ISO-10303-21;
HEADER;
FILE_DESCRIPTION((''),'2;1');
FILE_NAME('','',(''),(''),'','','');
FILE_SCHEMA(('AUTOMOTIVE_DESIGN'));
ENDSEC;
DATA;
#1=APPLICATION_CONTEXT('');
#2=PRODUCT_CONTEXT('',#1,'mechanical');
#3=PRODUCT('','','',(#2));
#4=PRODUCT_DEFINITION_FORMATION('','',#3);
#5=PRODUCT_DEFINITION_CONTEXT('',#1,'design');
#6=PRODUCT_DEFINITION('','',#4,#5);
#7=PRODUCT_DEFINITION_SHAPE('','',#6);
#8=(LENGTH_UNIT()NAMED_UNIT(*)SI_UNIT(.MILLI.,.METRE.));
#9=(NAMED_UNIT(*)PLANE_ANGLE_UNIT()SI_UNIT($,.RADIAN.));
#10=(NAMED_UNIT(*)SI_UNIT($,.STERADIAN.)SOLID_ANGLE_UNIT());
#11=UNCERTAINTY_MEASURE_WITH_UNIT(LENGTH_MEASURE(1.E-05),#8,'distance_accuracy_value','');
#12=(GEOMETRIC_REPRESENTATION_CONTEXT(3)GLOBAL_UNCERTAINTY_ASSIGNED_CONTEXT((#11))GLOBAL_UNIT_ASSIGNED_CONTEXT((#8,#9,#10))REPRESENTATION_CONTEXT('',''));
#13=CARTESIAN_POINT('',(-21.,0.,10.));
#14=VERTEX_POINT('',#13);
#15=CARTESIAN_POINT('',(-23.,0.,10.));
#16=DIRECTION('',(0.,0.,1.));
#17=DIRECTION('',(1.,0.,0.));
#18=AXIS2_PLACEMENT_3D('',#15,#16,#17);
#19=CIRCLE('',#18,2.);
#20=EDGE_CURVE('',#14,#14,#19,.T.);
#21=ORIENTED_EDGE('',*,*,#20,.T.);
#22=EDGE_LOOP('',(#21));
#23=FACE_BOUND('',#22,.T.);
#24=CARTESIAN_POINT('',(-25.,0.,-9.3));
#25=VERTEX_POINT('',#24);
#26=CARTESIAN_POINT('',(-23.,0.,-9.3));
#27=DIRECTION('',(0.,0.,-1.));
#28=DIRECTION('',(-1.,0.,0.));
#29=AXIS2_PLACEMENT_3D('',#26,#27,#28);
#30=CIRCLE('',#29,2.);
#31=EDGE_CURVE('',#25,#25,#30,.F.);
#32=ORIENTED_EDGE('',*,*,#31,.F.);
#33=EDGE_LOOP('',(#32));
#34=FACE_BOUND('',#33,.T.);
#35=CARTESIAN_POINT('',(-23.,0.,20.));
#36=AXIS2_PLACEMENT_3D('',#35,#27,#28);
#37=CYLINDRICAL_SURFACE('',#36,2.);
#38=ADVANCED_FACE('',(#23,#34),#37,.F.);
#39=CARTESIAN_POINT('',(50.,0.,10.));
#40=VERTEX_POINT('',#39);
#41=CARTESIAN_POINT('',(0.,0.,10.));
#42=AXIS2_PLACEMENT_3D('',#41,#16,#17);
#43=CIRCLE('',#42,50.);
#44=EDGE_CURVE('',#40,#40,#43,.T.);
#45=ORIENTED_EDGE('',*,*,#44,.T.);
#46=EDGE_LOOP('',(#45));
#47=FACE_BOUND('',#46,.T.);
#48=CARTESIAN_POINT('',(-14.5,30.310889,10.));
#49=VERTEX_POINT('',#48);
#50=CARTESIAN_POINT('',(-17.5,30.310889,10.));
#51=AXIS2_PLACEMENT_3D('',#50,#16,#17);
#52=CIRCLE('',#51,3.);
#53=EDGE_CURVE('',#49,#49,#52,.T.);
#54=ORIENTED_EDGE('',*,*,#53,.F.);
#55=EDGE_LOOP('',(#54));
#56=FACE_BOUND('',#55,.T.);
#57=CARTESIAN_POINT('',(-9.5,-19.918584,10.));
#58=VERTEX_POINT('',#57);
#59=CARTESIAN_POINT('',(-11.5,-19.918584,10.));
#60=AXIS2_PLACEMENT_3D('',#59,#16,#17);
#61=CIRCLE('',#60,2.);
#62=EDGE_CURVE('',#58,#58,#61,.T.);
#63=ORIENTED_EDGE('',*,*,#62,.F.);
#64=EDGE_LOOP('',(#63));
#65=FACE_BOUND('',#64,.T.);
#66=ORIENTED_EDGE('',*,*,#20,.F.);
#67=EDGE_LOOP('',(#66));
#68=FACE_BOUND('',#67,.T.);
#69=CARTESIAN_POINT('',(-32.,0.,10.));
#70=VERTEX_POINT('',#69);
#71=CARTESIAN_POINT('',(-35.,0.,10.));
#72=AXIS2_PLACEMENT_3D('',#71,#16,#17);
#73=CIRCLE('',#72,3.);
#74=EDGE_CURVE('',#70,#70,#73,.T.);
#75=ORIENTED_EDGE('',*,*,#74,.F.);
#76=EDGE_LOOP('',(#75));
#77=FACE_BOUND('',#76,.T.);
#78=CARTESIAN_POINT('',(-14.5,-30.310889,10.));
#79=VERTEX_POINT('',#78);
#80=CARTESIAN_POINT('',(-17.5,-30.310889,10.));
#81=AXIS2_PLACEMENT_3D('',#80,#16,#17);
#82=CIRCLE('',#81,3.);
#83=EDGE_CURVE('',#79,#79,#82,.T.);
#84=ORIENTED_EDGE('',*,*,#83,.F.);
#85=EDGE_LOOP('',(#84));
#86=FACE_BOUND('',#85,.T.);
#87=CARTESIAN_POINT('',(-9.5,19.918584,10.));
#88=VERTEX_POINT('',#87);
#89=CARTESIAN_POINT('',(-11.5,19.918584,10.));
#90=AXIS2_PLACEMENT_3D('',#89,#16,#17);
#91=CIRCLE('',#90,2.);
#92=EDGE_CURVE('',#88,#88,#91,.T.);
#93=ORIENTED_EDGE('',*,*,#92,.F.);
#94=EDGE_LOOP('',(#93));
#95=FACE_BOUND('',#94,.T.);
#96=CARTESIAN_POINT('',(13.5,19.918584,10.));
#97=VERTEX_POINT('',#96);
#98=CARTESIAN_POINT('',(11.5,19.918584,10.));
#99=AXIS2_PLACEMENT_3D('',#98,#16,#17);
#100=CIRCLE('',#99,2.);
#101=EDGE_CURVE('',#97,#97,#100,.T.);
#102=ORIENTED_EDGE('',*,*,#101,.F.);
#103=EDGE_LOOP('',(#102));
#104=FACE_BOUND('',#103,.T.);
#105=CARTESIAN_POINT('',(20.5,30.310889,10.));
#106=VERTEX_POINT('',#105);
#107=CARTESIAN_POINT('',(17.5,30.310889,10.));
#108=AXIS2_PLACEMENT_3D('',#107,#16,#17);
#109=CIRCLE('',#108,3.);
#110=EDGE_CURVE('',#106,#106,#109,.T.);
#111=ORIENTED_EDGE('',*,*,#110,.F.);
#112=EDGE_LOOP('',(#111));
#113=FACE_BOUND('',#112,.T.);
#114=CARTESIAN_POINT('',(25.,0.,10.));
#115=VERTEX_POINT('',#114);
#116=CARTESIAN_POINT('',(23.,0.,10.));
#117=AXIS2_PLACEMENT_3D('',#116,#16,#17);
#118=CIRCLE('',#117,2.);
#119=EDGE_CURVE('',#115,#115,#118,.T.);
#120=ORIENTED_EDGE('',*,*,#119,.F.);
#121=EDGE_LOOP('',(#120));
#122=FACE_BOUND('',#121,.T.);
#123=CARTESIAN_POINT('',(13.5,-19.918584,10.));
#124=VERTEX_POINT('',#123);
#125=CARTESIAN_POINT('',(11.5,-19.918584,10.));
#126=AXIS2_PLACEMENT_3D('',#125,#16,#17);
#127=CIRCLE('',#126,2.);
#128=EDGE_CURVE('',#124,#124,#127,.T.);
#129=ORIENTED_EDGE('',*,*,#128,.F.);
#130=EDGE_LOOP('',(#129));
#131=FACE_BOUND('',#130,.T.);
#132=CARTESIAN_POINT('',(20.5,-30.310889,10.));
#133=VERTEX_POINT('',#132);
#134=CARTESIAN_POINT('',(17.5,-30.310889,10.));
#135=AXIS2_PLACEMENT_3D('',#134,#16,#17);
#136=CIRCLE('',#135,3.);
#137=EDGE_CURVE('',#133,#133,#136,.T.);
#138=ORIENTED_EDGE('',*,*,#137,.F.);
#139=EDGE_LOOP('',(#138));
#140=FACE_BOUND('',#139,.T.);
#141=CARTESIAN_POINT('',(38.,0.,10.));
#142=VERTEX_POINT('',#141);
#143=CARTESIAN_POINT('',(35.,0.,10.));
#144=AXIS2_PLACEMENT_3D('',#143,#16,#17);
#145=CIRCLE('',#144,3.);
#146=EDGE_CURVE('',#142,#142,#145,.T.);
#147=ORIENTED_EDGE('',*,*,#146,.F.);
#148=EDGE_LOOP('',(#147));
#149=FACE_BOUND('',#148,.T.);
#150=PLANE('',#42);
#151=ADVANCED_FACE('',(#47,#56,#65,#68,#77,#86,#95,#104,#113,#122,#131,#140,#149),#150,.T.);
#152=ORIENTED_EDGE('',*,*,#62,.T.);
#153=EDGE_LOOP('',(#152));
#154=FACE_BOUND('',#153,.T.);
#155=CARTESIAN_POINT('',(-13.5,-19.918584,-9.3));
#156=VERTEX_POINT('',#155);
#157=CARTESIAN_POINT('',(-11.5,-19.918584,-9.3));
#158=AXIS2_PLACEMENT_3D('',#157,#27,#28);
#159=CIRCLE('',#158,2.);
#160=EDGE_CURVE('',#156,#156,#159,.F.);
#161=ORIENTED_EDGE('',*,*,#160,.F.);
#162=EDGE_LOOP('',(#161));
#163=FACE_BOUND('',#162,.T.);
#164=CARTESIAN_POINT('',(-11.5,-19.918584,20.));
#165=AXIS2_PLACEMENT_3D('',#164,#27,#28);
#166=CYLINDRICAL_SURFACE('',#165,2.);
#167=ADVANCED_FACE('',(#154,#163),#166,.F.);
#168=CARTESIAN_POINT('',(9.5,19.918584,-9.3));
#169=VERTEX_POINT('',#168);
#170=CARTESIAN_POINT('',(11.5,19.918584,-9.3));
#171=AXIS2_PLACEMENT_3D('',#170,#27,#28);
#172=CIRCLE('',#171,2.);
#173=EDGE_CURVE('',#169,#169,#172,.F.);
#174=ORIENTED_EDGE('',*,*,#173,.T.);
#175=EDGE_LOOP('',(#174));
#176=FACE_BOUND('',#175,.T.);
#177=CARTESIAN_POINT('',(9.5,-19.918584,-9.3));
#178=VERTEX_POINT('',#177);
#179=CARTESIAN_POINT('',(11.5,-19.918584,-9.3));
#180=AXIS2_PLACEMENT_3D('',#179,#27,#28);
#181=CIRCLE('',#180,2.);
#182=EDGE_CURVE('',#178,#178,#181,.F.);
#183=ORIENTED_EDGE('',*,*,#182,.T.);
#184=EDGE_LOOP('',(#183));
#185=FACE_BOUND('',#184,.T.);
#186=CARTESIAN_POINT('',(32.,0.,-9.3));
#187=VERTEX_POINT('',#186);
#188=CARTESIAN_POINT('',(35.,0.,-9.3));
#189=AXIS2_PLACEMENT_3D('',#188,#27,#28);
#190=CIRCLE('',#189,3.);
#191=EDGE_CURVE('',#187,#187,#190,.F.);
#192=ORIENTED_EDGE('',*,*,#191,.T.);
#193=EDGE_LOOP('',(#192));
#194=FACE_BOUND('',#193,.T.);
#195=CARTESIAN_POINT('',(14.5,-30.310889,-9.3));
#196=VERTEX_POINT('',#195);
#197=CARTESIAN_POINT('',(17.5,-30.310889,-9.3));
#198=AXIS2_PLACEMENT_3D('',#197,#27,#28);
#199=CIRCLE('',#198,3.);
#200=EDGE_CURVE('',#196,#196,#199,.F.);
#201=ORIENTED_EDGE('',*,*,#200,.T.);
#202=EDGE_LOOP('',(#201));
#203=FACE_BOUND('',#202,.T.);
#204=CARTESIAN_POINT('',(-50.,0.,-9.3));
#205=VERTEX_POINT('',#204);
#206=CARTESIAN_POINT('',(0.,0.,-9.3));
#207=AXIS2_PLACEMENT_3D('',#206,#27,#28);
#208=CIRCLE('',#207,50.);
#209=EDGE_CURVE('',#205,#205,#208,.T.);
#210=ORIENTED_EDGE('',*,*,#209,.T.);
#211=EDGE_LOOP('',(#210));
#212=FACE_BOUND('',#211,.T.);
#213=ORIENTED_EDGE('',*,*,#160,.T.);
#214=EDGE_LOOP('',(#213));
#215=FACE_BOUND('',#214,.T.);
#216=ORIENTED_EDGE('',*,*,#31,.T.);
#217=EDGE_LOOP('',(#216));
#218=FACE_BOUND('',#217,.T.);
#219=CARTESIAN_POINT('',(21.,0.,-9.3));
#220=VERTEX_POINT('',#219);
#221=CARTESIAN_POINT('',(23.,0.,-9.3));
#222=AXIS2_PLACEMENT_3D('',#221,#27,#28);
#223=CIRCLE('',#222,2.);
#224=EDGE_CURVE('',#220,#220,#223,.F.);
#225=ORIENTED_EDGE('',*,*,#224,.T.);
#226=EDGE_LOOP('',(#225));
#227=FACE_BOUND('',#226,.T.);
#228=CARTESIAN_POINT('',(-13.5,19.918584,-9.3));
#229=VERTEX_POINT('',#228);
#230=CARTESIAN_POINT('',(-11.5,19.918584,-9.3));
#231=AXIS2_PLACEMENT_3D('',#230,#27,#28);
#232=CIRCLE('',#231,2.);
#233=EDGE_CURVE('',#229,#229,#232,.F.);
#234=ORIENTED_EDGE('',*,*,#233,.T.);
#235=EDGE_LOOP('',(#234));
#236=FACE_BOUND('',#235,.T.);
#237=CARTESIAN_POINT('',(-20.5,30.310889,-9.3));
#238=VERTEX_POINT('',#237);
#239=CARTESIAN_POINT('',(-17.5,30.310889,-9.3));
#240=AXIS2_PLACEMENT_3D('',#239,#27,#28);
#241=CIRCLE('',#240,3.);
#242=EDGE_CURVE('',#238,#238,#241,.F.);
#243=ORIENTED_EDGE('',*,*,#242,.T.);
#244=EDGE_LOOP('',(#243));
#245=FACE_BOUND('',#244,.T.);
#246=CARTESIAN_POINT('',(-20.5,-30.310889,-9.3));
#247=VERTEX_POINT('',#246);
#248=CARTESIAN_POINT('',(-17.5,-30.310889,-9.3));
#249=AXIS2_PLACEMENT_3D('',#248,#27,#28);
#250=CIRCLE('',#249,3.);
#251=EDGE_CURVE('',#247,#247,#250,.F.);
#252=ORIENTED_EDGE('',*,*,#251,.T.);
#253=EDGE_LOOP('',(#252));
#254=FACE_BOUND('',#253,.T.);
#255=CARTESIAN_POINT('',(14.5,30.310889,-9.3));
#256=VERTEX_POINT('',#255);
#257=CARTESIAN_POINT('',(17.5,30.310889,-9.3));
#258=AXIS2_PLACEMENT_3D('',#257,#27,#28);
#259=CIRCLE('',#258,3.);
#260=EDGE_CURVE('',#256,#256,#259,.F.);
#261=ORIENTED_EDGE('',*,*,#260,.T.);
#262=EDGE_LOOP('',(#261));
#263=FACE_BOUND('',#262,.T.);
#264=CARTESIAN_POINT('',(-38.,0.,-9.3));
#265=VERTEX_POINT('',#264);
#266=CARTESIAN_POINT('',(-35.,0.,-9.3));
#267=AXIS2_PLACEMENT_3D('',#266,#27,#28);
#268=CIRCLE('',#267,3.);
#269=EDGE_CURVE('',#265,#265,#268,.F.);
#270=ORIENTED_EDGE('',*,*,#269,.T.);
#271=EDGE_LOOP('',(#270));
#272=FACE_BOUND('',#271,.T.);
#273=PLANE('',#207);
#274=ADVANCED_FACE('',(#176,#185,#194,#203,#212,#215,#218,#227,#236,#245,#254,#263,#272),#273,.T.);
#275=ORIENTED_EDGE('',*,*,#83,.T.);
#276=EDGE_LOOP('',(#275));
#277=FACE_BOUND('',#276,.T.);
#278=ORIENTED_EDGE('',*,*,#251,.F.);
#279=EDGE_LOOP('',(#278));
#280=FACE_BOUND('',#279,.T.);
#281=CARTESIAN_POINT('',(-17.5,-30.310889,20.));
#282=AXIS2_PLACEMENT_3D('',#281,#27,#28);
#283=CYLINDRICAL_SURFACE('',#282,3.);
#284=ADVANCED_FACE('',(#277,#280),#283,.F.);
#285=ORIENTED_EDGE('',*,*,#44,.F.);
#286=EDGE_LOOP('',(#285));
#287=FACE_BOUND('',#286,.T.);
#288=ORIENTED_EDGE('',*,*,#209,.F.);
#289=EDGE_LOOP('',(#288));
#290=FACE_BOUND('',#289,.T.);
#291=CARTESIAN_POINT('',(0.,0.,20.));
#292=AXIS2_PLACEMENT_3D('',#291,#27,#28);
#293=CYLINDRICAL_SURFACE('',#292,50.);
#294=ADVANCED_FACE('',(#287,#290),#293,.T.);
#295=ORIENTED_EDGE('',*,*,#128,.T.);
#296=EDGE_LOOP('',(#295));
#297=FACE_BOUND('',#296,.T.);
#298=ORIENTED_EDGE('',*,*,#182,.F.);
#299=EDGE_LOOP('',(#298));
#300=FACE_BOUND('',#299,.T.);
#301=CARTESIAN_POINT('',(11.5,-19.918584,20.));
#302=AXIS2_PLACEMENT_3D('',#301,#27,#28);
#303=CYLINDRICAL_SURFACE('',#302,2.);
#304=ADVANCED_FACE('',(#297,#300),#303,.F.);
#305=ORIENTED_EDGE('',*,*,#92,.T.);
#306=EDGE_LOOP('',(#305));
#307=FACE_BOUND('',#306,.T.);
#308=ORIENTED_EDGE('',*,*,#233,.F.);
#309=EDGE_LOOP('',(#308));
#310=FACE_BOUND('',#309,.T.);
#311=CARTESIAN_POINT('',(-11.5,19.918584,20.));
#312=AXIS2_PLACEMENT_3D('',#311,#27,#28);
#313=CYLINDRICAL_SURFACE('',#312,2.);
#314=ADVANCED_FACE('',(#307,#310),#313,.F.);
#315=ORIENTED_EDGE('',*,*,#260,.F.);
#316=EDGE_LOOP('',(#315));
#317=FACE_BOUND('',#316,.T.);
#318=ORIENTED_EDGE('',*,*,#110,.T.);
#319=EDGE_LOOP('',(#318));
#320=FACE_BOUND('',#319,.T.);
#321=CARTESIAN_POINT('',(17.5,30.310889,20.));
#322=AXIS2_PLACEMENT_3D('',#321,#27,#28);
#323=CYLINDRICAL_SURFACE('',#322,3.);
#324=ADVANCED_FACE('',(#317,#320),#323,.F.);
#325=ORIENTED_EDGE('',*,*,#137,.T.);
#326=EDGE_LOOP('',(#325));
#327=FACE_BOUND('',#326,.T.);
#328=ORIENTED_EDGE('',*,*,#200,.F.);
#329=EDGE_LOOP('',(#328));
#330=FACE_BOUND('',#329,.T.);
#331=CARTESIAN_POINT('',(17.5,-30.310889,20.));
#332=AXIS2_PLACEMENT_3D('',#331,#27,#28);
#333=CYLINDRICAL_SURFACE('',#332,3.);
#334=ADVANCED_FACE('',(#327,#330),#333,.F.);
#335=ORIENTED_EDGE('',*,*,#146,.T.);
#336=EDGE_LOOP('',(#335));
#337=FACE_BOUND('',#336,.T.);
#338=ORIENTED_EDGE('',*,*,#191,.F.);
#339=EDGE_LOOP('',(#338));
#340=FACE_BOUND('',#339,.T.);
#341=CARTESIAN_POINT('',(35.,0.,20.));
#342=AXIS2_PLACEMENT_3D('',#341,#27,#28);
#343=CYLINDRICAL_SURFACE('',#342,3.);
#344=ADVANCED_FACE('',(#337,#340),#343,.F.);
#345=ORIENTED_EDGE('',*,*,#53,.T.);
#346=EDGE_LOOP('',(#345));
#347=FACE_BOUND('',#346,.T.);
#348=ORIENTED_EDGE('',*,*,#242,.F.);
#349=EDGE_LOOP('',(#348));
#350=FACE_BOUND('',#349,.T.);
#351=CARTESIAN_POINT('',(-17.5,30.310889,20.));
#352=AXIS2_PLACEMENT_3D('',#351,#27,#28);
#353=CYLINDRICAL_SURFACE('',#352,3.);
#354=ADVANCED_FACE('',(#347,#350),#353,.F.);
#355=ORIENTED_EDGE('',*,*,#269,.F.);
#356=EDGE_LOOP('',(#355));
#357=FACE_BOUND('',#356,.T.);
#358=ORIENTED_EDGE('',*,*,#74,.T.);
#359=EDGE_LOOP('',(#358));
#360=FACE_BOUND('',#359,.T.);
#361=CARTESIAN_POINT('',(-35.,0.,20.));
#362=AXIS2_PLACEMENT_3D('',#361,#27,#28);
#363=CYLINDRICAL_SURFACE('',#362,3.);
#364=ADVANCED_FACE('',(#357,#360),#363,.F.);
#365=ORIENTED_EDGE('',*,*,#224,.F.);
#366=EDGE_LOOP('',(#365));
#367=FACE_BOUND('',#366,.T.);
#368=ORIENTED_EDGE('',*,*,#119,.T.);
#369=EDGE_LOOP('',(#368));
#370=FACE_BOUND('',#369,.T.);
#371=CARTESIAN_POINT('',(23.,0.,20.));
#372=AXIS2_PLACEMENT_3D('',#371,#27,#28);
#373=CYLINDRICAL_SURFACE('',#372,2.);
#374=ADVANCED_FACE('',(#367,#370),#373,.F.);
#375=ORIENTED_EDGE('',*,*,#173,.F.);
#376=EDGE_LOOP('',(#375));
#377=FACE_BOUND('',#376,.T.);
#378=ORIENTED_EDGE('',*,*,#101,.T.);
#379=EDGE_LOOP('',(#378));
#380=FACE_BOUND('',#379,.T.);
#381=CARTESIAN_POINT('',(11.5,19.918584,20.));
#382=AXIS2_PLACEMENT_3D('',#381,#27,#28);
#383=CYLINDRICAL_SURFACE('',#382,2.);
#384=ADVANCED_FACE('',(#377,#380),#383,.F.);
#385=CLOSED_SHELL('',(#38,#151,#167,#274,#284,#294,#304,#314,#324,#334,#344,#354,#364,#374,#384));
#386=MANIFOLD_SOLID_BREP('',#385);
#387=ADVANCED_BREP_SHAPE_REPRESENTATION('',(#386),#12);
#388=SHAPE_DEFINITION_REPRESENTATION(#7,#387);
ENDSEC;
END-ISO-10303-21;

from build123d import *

# Parameters (mm, degrees)
SKETCH_1_R               = 50
SKETCH_1_R_2             = 3
SKETCH_1_R_3             = 2
EXTRUDE_1_DEPTH          = 20
SKETCH_3_R               = 82.232653787
CUT_EXTRUDE_1_DEPTH      = 10
EXTRUDE_START            = 9.3
SKETCH_4_R               = 50
EXTRUDE_2_DEPTH          = 9.3
CUT_EXTRUDE_START        = -52
SKETCH_5_R               = 3
SKETCH_5_R_2             = 2
CUT_EXTRUDE_2_DEPTH      = 52
PATTERN_CIRCULAR_1_COUNT = 6


with BuildPart() as part:
    # 草图1 → 凸台-拉伸1 (new body)
    with BuildSketch(Plane.XY):
        Circle(SKETCH_1_R)
        with Locations((-35, 0)):
            Circle(SKETCH_1_R_2, mode=Mode.SUBTRACT)
        with Locations((-17.5, 30.310889132)):
            Circle(SKETCH_1_R_2, mode=Mode.SUBTRACT)
        with Locations((17.5, 30.310889132)):
            Circle(SKETCH_1_R_2, mode=Mode.SUBTRACT)
        with Locations((35, 0)):
            Circle(SKETCH_1_R_2, mode=Mode.SUBTRACT)
        with Locations((17.5, -30.310889132)):
            Circle(SKETCH_1_R_2, mode=Mode.SUBTRACT)
        with Locations((-17.5, -30.310889132)):
            Circle(SKETCH_1_R_2, mode=Mode.SUBTRACT)
        with Locations((-23, 0)):
            Circle(SKETCH_1_R_3, mode=Mode.SUBTRACT)
        with Locations((-11.5, 19.918584287)):
            Circle(SKETCH_1_R_3, mode=Mode.SUBTRACT)
        with Locations((11.5, 19.918584287)):
            Circle(SKETCH_1_R_3, mode=Mode.SUBTRACT)
        with Locations((23, 0)):
            Circle(SKETCH_1_R_3, mode=Mode.SUBTRACT)
        with Locations((11.5, -19.918584287)):
            Circle(SKETCH_1_R_3, mode=Mode.SUBTRACT)
        with Locations((-11.5, -19.918584287)):
            Circle(SKETCH_1_R_3, mode=Mode.SUBTRACT)
    extrude(amount=EXTRUDE_1_DEPTH)

    # 草图3 → 切除-拉伸1 (cut)
    with BuildSketch(Plane.XY.offset(20)):
        Circle(SKETCH_3_R)
    extrude(amount=-CUT_EXTRUDE_1_DEPTH, mode=Mode.SUBTRACT)

    # 草图4 → 凸台-拉伸2 (add)
    with BuildSketch(Plane(origin=(0, 0, 0), x_dir=(-1, 0, 0), z_dir=(0, 0, -1)).offset(EXTRUDE_START)):
        Circle(SKETCH_4_R)
    extrude(amount=-EXTRUDE_2_DEPTH)

    # 草图5 → 切除-拉伸2 (cut)
    with BuildSketch(Plane.XY.offset(10).offset(CUT_EXTRUDE_START)):
        with Locations(Location((-35, 0, 0), (0, 0, 180))):
            Circle(SKETCH_5_R)
        with Locations(Location((-23, 0, 0), (0, 0, 180))):
            Circle(SKETCH_5_R_2)
    cut_extrude_2 = extrude(amount=CUT_EXTRUDE_2_DEPTH, mode=Mode.SUBTRACT)

    # 阵列(圆周)1: 切除-拉伸2 ×6 about axis
    pattern_circular_1_axis = Axis((0, 0, 20), (0, 0, -1))
    for i in range(1, PATTERN_CIRCULAR_1_COUNT):
        add(cut_extrude_2.rotate(pattern_circular_1_axis, i * 360 / PATTERN_CIRCULAR_1_COUNT), mode=Mode.SUBTRACT)


solid = part.part
